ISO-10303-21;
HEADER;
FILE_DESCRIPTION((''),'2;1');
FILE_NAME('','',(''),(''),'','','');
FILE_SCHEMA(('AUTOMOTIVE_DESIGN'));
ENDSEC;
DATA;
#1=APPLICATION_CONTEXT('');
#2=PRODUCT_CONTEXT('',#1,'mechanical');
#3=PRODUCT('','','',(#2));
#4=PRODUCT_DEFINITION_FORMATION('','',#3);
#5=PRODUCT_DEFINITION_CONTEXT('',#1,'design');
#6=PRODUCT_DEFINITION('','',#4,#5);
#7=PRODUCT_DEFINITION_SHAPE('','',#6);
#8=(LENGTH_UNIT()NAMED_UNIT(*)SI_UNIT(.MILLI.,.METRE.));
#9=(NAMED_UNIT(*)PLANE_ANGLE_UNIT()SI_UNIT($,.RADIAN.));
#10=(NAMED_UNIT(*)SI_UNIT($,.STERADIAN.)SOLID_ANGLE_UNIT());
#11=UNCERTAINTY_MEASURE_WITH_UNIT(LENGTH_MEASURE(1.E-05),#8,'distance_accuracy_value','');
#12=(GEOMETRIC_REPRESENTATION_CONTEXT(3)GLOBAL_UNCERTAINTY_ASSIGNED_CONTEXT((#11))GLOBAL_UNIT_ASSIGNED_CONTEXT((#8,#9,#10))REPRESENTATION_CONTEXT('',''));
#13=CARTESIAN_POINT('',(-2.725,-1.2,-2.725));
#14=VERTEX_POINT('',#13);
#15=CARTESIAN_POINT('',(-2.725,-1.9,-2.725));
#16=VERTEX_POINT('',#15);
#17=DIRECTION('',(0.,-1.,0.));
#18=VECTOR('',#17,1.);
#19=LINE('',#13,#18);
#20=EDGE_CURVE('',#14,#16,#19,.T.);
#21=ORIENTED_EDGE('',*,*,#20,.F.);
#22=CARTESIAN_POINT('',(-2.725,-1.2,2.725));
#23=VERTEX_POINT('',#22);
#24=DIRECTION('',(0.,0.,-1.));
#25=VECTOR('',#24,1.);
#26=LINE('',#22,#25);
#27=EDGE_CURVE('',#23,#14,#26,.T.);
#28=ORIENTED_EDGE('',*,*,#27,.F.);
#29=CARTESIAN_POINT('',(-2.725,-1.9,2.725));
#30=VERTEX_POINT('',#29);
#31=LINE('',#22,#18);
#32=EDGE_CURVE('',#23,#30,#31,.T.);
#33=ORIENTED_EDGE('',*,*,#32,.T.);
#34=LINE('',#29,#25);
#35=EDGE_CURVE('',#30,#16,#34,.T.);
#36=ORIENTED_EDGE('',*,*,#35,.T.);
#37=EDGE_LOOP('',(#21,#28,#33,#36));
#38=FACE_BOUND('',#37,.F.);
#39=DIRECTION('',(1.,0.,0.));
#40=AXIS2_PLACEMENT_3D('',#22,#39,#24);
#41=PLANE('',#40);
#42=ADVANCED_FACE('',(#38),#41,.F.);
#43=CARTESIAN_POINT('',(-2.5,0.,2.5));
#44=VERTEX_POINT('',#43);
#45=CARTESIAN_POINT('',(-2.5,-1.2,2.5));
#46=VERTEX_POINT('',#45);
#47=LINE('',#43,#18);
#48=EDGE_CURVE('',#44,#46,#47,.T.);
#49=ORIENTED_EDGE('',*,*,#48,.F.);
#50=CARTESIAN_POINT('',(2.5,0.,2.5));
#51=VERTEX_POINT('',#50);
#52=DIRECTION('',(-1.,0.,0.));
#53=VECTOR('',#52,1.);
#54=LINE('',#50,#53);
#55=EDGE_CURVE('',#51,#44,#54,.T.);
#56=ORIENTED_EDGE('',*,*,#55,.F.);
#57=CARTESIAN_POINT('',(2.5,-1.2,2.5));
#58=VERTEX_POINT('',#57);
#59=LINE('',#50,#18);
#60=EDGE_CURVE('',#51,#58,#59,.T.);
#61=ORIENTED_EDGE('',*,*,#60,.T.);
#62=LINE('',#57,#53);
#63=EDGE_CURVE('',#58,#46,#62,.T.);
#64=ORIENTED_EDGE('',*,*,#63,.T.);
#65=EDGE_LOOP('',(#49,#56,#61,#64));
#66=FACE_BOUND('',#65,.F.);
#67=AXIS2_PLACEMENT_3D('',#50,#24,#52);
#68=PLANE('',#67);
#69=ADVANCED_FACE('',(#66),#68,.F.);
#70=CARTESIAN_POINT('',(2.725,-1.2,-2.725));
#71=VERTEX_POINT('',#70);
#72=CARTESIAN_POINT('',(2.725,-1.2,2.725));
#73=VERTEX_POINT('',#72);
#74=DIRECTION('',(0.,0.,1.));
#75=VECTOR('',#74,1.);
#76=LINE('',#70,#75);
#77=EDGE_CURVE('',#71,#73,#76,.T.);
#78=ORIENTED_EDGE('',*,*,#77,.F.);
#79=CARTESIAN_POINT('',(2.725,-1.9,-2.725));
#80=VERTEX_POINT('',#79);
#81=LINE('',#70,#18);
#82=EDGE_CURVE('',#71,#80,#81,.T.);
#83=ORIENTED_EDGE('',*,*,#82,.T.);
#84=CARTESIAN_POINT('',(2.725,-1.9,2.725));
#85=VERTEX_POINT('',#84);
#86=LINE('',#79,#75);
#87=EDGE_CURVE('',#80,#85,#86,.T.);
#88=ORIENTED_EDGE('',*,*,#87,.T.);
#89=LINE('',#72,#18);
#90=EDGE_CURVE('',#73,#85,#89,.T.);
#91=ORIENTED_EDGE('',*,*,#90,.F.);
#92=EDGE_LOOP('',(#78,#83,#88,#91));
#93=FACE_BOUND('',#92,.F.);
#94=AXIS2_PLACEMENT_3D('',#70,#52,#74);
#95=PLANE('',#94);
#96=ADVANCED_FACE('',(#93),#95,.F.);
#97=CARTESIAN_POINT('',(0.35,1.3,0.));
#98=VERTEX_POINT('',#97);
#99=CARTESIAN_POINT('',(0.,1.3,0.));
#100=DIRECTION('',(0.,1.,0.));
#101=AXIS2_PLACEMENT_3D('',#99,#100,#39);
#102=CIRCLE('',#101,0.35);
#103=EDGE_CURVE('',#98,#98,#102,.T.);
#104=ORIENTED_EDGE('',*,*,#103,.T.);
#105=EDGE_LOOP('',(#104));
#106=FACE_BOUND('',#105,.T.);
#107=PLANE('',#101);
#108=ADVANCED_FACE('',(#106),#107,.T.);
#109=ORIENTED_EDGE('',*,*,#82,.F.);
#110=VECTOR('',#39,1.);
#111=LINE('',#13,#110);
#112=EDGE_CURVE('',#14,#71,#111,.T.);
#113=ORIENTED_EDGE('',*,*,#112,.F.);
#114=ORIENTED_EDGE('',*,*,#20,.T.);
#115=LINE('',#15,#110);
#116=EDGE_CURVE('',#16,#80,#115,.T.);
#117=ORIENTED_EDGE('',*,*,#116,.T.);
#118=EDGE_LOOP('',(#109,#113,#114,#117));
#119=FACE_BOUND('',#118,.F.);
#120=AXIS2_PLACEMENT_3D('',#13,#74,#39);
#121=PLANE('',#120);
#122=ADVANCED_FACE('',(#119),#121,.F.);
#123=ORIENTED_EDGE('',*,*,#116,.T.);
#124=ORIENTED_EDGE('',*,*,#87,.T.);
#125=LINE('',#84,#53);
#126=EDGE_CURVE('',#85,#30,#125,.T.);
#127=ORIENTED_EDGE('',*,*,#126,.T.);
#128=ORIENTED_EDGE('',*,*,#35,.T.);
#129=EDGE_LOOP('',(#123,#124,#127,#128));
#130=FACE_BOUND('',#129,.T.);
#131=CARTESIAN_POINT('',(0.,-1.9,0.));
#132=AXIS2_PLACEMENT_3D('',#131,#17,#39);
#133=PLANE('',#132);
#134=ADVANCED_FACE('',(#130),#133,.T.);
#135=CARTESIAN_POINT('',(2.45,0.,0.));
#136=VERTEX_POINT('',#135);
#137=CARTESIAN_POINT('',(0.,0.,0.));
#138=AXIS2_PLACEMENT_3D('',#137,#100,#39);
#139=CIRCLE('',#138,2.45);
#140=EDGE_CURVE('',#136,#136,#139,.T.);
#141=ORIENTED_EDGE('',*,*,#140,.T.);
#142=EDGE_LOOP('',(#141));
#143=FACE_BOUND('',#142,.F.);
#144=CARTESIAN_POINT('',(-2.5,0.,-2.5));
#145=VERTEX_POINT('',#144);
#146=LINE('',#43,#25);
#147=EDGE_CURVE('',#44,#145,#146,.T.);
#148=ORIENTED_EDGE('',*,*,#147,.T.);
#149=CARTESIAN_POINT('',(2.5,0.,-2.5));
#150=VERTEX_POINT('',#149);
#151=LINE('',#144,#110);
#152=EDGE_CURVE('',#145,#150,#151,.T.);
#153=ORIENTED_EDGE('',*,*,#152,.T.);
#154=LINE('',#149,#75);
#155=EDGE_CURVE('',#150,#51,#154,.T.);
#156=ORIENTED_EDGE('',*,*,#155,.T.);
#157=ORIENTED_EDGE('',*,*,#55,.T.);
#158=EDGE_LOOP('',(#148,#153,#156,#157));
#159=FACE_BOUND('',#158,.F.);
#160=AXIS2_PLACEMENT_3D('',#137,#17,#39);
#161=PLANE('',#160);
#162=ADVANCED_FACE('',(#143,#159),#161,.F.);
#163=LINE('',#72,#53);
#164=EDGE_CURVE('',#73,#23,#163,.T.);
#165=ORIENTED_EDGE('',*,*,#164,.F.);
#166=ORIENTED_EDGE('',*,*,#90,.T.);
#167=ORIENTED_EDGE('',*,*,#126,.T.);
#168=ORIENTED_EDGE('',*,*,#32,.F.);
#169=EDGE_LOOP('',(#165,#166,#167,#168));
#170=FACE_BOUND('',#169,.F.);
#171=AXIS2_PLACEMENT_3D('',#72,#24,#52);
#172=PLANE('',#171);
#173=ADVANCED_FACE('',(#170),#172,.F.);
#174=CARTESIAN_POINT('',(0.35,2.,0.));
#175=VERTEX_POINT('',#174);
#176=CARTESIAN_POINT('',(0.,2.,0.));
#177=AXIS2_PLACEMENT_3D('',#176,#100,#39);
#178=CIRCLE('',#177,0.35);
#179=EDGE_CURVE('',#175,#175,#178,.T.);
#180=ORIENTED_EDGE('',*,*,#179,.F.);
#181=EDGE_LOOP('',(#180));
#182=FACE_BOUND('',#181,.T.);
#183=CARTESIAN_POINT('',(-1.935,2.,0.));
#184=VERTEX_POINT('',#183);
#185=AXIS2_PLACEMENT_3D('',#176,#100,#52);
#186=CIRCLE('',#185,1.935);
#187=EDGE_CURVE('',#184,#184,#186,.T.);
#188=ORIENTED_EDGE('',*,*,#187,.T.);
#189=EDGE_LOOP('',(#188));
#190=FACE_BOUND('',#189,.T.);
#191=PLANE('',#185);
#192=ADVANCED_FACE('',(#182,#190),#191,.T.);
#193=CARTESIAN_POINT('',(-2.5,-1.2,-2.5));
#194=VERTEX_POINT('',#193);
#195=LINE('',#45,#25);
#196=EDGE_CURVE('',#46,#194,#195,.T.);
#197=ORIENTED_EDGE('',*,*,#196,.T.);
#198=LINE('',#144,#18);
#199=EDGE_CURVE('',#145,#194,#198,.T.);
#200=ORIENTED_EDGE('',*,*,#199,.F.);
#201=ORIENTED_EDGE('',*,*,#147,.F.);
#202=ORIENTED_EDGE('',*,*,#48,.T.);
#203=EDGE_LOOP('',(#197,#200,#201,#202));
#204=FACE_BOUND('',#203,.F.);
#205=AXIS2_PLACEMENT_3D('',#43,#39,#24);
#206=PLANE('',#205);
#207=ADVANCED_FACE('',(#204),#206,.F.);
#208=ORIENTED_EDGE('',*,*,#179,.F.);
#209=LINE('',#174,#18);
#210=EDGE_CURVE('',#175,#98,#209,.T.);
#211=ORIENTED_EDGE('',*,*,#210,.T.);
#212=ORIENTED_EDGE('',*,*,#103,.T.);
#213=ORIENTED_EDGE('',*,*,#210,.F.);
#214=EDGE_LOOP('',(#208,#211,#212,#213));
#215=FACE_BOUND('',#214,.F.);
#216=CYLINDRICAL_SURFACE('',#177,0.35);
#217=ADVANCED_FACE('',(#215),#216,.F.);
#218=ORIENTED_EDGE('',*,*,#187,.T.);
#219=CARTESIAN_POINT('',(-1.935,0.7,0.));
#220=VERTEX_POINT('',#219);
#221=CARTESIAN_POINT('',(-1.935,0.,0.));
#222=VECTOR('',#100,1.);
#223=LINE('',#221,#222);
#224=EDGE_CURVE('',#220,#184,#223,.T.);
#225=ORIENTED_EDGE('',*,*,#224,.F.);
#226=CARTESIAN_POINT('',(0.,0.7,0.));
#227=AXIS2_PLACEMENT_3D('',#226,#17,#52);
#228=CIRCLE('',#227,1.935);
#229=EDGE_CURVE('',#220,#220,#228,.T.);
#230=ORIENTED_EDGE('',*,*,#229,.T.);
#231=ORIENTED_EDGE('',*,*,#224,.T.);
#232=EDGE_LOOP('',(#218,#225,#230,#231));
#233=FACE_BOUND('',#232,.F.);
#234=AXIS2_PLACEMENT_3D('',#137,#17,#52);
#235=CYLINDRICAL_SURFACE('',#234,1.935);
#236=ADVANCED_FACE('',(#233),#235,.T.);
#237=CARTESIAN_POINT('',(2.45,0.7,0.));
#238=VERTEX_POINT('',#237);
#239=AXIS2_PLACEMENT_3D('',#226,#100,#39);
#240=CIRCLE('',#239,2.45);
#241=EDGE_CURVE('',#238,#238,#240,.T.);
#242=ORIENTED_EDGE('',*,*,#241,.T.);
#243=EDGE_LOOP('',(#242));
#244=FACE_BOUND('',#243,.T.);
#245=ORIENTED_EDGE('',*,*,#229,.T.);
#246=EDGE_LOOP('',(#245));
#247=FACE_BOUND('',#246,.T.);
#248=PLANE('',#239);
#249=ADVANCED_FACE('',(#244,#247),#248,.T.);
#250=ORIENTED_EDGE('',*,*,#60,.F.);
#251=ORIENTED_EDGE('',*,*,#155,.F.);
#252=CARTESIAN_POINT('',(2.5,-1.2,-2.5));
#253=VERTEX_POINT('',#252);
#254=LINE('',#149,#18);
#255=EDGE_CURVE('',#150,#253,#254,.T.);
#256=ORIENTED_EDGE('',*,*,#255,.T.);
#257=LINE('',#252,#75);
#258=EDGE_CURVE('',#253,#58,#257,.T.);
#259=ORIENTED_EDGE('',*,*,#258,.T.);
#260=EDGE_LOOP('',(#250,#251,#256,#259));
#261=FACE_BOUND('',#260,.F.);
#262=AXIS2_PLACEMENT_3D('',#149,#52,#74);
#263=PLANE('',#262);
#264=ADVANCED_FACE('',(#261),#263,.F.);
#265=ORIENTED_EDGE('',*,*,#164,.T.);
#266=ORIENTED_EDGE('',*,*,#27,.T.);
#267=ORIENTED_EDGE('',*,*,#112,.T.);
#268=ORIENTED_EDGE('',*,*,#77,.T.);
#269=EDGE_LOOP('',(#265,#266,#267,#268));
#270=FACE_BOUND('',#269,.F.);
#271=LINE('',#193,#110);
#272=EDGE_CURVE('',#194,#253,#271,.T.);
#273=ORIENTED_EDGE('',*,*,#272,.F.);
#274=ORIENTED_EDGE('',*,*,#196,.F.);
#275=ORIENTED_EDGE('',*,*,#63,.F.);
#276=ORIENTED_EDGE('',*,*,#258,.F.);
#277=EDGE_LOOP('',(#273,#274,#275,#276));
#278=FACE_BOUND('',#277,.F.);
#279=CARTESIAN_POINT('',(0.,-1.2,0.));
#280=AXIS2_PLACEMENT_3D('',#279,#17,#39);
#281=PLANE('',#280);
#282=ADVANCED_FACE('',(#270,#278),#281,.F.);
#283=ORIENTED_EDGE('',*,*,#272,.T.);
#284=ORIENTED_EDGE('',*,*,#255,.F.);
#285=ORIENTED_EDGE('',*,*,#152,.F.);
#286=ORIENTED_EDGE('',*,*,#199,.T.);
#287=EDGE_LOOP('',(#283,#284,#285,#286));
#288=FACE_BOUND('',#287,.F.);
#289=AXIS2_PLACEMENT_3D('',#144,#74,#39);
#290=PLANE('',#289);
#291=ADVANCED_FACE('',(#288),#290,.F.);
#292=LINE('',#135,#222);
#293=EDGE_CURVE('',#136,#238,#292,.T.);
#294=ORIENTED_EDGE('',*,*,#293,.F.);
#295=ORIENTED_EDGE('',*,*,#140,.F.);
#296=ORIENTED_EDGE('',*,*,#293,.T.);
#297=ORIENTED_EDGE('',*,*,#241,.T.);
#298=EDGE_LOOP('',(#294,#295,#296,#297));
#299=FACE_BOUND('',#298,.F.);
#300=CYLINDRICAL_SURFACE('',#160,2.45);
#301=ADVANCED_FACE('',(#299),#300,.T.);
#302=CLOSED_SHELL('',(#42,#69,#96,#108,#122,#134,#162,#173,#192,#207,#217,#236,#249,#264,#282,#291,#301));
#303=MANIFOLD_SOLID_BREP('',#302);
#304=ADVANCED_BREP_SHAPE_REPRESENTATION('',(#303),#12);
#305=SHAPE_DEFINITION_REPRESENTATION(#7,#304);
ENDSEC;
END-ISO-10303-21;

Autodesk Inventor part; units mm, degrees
ref_plane "YZ Plane" through (0, 0, 0) normal (1, 0, 0) x (0, 1, 0)
ref_plane "XZ Plane" through (0, 0, 0) normal (0, 1, 0) x (-1, 0, 0)
ref_plane "XY Plane" through (0, 0, 0) normal (0, 0, 1) x (1, 0, 0)
sketch "Sketch1" plane through (0, 0, 0) normal (0, 1, 0) x (-1, 0, 0)
  circle A0 centre (0, 0) radius 1.935
  dimension "d0" = 3.87
extrude "Extrusion1" add sketch "Sketch1" along normal blind 2
sketch "Sketch2" plane through (0, 0, 0) normal (0, -1, 0) x (1, 0, 0)
  line L0 (2.5, 2.5) -> (-2.5, 2.5)
  line L1 (-2.5, 2.5) -> (-2.5, -2.5)
  line L2 (-2.5, -2.5) -> (2.5, -2.5)
  line L3 (2.5, -2.5) -> (2.5, 2.5)
  line L4 (2.5, 2.5) -> (-2.5, -2.5) construction
  line L5 (-2.5, 2.5) -> (2.5, -2.5) construction
  point P0 (0, 0)
  dimension "d9" = 5
  dimension "d10" = 5
extrude "Extrusion2" add sketch "Sketch2" along normal blind 1.2
sketch "Sketch3" plane through (0, -1.2, 0) normal (0, -1, 0) x (1, 0, 0)
  line L0 (2.725, 2.725) -> (-2.725, 2.725)
  line L1 (-2.725, 2.725) -> (-2.725, -2.725)
  line L2 (-2.725, -2.725) -> (2.725, -2.725)
  line L3 (2.725, -2.725) -> (2.725, 2.725)
  line L4 (2.725, 2.725) -> (-2.725, -2.725) construction
  line L5 (-2.725, 2.725) -> (2.725, -2.725) construction
  point P0 (0, 0)
  dimension "d5" = 5.45
  dimension "d6" = 5.45
extrude "Extrusion3" add sketch "Sketch3" along normal blind 0.7
sketch "Sketch4" plane through (0, 0, 0) normal (0, 1, 0) x (1, 0, 0)
  circle A0 centre (0, 0) radius 2.45
  dimension "d11" = 4.9
extrude "Extrusion4" add sketch "Sketch4" along normal blind 0.7
sketch "Sketch5" plane through (0, 2, 0) normal (0, 1, 0) x (1, 0, 0)
  circle A0 centre (0, 0) radius 0.35
  dimension "d14" = 0.7
extrude "Extrusion5" cut sketch "Sketch5" against normal blind 0.7
properties part number "Camera"
